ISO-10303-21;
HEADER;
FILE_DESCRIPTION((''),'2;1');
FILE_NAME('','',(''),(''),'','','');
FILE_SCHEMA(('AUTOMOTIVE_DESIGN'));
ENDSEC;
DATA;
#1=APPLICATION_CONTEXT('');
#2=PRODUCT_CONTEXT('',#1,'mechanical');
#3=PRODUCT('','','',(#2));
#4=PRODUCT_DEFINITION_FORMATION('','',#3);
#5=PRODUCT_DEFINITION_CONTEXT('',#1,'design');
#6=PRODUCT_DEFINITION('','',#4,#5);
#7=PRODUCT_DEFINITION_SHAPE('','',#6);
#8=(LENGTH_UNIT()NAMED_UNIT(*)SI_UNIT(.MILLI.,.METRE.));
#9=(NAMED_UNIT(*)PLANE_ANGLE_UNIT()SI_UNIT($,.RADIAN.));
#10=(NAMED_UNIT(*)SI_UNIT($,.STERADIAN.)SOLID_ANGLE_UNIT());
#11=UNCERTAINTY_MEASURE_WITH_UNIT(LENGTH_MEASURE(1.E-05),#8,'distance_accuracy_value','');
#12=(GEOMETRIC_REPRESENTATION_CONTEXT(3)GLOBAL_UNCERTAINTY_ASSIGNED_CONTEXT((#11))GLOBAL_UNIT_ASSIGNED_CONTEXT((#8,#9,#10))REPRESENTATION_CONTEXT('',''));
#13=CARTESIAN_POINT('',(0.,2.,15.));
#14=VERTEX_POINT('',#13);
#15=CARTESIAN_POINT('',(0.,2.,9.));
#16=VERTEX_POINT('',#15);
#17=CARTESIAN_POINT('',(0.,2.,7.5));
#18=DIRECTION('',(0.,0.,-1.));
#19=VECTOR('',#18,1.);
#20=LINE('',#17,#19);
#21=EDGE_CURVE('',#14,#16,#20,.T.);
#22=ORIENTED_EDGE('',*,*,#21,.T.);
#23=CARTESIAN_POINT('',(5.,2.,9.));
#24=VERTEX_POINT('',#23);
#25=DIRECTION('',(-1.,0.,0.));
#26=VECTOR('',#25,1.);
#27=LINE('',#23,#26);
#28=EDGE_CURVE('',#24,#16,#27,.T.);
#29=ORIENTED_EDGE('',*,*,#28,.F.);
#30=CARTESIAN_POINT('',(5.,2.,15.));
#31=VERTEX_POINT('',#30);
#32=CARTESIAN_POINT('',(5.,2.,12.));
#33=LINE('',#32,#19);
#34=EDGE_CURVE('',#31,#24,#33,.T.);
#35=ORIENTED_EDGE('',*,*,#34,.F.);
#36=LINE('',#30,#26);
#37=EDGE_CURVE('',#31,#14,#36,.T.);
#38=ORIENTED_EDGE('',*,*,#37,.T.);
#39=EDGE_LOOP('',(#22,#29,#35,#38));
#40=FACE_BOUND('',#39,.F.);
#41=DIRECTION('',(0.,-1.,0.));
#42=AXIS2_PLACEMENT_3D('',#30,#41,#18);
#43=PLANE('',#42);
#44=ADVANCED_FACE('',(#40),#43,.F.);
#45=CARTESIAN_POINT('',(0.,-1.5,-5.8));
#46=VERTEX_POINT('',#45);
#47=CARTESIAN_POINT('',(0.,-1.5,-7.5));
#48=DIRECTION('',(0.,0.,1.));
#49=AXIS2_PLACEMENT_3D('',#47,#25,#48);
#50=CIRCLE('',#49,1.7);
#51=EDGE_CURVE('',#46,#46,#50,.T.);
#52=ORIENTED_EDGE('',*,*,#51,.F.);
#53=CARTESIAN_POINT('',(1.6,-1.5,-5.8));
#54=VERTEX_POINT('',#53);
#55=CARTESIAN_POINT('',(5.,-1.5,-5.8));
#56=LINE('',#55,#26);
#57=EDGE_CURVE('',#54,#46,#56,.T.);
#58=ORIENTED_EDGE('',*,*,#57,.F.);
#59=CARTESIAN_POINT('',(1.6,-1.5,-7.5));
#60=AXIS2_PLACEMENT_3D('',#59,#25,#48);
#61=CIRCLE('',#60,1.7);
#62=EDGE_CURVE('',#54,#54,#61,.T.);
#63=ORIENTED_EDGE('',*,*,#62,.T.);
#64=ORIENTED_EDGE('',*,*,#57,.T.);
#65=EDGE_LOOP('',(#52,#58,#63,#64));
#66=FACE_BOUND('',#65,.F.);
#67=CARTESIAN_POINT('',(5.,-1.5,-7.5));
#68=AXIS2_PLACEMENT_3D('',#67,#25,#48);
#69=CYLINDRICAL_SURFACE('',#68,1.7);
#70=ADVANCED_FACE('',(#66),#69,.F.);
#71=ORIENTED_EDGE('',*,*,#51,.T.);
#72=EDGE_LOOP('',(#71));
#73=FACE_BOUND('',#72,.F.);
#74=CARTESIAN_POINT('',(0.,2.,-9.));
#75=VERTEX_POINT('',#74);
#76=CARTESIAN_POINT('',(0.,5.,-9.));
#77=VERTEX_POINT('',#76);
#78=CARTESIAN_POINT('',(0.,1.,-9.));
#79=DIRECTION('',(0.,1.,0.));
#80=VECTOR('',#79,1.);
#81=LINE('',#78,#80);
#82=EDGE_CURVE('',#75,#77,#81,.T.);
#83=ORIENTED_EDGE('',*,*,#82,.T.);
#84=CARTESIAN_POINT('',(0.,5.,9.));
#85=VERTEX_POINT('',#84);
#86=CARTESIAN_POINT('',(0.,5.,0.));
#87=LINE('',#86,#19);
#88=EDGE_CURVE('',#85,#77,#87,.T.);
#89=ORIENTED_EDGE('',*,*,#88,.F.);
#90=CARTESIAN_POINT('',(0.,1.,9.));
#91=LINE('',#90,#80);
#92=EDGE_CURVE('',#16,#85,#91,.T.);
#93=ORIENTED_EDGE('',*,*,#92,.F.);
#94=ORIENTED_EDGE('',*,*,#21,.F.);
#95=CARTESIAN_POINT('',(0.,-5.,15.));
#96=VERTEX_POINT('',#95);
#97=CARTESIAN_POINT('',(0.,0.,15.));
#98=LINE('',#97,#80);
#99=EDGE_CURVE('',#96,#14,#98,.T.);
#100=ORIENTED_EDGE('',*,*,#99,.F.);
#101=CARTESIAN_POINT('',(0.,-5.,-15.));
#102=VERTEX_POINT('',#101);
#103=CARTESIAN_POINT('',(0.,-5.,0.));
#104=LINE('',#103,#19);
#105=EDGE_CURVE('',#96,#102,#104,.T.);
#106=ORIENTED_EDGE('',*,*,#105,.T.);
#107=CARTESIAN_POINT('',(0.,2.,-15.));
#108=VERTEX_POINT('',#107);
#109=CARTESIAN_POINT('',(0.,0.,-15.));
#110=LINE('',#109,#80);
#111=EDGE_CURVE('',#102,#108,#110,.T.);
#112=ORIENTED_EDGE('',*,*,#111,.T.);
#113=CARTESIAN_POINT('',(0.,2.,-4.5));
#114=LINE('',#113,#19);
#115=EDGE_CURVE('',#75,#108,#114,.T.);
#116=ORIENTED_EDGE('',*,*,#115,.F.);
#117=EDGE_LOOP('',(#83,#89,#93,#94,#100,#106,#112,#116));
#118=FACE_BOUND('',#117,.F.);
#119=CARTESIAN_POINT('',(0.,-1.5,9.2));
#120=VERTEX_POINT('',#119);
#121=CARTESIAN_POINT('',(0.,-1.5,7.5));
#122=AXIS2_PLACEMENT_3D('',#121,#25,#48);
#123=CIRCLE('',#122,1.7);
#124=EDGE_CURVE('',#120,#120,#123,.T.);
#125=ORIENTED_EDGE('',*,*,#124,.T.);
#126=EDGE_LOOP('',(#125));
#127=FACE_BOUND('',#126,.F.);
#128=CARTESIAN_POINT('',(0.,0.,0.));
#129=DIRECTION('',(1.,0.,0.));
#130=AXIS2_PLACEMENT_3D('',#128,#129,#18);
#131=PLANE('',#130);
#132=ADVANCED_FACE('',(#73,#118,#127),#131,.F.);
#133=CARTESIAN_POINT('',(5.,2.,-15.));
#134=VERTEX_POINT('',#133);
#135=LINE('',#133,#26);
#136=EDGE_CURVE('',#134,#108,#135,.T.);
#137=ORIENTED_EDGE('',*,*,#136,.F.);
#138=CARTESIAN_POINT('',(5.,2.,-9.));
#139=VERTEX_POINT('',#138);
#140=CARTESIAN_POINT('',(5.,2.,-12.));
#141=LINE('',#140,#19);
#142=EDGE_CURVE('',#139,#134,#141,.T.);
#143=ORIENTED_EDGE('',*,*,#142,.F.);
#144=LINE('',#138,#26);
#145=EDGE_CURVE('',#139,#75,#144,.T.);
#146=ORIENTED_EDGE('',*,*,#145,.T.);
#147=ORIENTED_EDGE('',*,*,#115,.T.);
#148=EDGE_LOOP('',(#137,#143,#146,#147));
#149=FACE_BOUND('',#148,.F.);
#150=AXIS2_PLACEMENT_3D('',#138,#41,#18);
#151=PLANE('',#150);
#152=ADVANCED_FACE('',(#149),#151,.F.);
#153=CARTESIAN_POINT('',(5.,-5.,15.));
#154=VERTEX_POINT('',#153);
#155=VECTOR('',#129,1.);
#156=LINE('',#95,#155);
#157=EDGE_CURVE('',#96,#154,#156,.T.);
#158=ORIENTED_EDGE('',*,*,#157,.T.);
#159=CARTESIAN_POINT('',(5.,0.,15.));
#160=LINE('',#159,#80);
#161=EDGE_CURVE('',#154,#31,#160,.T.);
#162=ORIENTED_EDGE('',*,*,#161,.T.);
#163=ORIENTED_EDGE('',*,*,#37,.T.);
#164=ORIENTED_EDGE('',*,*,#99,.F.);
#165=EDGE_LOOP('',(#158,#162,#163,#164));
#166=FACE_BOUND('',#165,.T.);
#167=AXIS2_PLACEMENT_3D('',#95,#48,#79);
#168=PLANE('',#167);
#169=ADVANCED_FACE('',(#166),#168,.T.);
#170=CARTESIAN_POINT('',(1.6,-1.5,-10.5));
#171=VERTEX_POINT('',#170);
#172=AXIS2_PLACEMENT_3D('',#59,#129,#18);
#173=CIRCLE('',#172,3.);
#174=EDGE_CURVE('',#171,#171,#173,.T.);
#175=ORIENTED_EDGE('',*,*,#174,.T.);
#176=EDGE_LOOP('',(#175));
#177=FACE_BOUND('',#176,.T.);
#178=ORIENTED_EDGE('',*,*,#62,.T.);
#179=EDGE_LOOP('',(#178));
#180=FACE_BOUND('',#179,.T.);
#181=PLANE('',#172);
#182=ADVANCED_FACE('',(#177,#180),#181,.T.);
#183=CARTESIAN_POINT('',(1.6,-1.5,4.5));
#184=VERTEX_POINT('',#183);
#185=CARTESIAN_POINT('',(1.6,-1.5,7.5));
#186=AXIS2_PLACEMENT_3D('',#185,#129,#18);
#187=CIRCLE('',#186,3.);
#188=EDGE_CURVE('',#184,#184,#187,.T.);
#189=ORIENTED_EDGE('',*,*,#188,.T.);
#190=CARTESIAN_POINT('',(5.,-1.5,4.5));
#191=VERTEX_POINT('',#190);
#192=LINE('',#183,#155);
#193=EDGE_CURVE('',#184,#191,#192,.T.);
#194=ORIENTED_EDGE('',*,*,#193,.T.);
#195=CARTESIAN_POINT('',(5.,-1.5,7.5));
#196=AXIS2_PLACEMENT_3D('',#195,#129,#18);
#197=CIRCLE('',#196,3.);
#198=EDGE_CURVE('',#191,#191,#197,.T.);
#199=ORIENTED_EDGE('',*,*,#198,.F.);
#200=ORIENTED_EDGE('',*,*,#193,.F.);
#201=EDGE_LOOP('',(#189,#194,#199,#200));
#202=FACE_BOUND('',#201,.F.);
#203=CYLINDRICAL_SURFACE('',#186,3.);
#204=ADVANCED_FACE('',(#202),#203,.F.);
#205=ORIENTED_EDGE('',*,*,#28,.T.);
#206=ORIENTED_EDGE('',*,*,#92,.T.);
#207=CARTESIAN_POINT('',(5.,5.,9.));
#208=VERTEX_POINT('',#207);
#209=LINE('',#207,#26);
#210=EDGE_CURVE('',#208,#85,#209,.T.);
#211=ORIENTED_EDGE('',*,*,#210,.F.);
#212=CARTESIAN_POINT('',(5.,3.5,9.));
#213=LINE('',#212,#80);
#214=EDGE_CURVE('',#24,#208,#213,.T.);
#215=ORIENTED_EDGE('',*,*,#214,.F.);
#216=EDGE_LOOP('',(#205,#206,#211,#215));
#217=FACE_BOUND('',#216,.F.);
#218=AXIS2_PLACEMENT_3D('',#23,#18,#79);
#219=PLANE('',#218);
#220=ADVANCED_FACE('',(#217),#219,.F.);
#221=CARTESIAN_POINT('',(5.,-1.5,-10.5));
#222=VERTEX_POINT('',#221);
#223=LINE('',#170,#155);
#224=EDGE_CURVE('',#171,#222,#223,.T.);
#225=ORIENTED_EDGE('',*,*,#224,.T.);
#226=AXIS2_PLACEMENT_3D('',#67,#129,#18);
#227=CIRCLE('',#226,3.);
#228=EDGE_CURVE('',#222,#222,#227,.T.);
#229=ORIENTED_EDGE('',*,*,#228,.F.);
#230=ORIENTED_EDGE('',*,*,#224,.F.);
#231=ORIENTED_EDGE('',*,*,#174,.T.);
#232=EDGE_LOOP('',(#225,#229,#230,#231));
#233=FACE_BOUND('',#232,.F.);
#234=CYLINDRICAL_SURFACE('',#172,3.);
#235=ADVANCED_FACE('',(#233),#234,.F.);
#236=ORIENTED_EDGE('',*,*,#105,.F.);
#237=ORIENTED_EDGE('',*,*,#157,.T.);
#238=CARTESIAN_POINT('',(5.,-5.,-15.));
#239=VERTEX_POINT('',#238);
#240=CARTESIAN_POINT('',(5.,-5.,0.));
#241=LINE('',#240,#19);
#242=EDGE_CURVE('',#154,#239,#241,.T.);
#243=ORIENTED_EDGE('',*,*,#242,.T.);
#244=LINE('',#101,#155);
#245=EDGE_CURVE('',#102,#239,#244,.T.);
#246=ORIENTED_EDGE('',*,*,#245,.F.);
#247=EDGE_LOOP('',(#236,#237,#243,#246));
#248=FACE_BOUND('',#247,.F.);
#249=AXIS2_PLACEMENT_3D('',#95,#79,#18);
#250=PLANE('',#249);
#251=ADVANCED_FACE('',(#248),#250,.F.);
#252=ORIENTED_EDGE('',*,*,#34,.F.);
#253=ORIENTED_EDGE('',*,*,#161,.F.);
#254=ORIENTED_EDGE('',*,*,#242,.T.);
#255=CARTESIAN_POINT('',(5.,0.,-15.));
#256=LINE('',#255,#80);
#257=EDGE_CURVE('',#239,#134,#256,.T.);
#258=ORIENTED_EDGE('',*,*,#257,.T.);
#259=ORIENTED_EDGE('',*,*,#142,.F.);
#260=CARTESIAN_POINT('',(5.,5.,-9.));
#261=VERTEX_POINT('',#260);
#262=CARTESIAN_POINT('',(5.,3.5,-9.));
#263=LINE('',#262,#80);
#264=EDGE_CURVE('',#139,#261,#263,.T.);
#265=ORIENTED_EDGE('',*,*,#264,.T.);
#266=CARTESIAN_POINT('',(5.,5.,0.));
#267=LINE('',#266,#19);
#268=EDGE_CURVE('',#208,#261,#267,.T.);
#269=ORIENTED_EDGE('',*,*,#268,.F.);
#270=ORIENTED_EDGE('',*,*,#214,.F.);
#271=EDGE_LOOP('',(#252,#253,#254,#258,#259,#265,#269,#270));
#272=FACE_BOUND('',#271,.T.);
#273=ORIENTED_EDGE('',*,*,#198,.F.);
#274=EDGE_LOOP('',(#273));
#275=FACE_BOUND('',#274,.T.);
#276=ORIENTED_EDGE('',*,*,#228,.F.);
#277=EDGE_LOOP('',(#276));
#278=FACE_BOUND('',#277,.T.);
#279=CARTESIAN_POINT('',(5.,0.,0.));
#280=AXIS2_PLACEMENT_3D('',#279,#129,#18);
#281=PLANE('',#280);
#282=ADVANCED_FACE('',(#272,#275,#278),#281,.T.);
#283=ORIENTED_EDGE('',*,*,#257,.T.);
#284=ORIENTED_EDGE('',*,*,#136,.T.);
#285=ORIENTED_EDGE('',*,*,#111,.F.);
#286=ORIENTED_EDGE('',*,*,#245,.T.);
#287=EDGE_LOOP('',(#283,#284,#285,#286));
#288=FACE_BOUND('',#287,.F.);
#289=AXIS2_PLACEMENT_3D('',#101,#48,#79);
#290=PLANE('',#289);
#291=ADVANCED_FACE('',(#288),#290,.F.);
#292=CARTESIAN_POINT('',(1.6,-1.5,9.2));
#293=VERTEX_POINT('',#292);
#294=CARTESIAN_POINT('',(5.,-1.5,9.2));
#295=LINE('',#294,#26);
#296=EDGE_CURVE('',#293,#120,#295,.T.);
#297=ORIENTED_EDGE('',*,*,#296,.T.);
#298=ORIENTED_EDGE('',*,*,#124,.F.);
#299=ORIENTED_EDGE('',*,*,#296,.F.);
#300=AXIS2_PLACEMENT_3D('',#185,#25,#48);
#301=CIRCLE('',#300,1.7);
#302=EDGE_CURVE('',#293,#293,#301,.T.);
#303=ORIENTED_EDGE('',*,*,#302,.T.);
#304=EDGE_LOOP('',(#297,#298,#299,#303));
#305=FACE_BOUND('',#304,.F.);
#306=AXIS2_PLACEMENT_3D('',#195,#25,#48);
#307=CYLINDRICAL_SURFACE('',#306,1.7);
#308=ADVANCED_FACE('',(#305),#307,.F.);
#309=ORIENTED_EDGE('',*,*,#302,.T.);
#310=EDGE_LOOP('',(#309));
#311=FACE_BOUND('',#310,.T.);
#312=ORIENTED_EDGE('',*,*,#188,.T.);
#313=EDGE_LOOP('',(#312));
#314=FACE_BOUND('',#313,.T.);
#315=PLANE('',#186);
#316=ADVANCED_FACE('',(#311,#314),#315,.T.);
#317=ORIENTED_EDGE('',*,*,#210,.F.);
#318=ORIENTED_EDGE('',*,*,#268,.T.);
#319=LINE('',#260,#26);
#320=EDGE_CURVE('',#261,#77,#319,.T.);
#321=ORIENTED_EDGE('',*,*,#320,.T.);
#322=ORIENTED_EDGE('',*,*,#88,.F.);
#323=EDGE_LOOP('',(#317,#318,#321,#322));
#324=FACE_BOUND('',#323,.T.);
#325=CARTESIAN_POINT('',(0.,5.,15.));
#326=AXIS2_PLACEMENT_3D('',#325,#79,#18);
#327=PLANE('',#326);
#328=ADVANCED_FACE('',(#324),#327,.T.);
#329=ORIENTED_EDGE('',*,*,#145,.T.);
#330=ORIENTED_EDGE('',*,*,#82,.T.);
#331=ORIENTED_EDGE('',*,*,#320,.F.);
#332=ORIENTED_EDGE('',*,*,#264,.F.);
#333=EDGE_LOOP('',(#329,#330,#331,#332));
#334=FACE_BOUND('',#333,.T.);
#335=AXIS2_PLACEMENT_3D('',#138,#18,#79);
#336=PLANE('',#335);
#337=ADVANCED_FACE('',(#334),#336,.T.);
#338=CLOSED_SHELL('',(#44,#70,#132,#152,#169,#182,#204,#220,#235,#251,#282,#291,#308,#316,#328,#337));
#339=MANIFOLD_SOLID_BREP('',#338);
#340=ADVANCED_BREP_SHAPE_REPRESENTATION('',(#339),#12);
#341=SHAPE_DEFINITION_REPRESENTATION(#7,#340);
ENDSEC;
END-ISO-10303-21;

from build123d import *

# Parameters (mm, degrees)
SKETCH_1_W                = 30
SKETCH_1_H                = 10
EXTRUDE_1_DEPTH           = 5
SKETCH_4_W                = 6
SKETCH_4_H                = 3
CUT_EXTRUDE_1_DEPTH       = 17.583123952
HOLE_WIZARD_1_D           = 3.4
HOLE_WIZARD_1_CBORE_D     = 6
HOLE_WIZARD_1_CBORE_DEPTH = 3.4


with BuildPart() as part:
    # 草图1 → 凸台-拉伸1 (new body)
    with BuildSketch(Plane(origin=(0, 0, 0), x_dir=(0, 0, -1), z_dir=(1, 0, 0))):
        Rectangle(SKETCH_1_W, SKETCH_1_H)
    extrude(amount=EXTRUDE_1_DEPTH)

    # 草图4 → 切除-拉伸1 (cut, through all)
    with BuildSketch(Plane(origin=(5, 0, 0), x_dir=(0, 0, -1), z_dir=(1, 0, 0))):
        with Locations((12, 3.5)):
            Rectangle(SKETCH_4_W, SKETCH_4_H)
        with Locations((-12, 3.5)):
            Rectangle(SKETCH_4_W, SKETCH_4_H)
    extrude(amount=-CUT_EXTRUDE_1_DEPTH, mode=Mode.SUBTRACT)

    # 打孔尺寸根据内六角圆柱头螺钉的类型1 (through all)
    with Locations(Plane(origin=(5, 0, 0), x_dir=(0, 0, -1), z_dir=(1, 0, 0))):
        with Locations((-7.5, -1.5), (7.5, -1.5)):
            CounterBoreHole(HOLE_WIZARD_1_D / 2, HOLE_WIZARD_1_CBORE_D / 2, HOLE_WIZARD_1_CBORE_DEPTH)


solid = part.part
